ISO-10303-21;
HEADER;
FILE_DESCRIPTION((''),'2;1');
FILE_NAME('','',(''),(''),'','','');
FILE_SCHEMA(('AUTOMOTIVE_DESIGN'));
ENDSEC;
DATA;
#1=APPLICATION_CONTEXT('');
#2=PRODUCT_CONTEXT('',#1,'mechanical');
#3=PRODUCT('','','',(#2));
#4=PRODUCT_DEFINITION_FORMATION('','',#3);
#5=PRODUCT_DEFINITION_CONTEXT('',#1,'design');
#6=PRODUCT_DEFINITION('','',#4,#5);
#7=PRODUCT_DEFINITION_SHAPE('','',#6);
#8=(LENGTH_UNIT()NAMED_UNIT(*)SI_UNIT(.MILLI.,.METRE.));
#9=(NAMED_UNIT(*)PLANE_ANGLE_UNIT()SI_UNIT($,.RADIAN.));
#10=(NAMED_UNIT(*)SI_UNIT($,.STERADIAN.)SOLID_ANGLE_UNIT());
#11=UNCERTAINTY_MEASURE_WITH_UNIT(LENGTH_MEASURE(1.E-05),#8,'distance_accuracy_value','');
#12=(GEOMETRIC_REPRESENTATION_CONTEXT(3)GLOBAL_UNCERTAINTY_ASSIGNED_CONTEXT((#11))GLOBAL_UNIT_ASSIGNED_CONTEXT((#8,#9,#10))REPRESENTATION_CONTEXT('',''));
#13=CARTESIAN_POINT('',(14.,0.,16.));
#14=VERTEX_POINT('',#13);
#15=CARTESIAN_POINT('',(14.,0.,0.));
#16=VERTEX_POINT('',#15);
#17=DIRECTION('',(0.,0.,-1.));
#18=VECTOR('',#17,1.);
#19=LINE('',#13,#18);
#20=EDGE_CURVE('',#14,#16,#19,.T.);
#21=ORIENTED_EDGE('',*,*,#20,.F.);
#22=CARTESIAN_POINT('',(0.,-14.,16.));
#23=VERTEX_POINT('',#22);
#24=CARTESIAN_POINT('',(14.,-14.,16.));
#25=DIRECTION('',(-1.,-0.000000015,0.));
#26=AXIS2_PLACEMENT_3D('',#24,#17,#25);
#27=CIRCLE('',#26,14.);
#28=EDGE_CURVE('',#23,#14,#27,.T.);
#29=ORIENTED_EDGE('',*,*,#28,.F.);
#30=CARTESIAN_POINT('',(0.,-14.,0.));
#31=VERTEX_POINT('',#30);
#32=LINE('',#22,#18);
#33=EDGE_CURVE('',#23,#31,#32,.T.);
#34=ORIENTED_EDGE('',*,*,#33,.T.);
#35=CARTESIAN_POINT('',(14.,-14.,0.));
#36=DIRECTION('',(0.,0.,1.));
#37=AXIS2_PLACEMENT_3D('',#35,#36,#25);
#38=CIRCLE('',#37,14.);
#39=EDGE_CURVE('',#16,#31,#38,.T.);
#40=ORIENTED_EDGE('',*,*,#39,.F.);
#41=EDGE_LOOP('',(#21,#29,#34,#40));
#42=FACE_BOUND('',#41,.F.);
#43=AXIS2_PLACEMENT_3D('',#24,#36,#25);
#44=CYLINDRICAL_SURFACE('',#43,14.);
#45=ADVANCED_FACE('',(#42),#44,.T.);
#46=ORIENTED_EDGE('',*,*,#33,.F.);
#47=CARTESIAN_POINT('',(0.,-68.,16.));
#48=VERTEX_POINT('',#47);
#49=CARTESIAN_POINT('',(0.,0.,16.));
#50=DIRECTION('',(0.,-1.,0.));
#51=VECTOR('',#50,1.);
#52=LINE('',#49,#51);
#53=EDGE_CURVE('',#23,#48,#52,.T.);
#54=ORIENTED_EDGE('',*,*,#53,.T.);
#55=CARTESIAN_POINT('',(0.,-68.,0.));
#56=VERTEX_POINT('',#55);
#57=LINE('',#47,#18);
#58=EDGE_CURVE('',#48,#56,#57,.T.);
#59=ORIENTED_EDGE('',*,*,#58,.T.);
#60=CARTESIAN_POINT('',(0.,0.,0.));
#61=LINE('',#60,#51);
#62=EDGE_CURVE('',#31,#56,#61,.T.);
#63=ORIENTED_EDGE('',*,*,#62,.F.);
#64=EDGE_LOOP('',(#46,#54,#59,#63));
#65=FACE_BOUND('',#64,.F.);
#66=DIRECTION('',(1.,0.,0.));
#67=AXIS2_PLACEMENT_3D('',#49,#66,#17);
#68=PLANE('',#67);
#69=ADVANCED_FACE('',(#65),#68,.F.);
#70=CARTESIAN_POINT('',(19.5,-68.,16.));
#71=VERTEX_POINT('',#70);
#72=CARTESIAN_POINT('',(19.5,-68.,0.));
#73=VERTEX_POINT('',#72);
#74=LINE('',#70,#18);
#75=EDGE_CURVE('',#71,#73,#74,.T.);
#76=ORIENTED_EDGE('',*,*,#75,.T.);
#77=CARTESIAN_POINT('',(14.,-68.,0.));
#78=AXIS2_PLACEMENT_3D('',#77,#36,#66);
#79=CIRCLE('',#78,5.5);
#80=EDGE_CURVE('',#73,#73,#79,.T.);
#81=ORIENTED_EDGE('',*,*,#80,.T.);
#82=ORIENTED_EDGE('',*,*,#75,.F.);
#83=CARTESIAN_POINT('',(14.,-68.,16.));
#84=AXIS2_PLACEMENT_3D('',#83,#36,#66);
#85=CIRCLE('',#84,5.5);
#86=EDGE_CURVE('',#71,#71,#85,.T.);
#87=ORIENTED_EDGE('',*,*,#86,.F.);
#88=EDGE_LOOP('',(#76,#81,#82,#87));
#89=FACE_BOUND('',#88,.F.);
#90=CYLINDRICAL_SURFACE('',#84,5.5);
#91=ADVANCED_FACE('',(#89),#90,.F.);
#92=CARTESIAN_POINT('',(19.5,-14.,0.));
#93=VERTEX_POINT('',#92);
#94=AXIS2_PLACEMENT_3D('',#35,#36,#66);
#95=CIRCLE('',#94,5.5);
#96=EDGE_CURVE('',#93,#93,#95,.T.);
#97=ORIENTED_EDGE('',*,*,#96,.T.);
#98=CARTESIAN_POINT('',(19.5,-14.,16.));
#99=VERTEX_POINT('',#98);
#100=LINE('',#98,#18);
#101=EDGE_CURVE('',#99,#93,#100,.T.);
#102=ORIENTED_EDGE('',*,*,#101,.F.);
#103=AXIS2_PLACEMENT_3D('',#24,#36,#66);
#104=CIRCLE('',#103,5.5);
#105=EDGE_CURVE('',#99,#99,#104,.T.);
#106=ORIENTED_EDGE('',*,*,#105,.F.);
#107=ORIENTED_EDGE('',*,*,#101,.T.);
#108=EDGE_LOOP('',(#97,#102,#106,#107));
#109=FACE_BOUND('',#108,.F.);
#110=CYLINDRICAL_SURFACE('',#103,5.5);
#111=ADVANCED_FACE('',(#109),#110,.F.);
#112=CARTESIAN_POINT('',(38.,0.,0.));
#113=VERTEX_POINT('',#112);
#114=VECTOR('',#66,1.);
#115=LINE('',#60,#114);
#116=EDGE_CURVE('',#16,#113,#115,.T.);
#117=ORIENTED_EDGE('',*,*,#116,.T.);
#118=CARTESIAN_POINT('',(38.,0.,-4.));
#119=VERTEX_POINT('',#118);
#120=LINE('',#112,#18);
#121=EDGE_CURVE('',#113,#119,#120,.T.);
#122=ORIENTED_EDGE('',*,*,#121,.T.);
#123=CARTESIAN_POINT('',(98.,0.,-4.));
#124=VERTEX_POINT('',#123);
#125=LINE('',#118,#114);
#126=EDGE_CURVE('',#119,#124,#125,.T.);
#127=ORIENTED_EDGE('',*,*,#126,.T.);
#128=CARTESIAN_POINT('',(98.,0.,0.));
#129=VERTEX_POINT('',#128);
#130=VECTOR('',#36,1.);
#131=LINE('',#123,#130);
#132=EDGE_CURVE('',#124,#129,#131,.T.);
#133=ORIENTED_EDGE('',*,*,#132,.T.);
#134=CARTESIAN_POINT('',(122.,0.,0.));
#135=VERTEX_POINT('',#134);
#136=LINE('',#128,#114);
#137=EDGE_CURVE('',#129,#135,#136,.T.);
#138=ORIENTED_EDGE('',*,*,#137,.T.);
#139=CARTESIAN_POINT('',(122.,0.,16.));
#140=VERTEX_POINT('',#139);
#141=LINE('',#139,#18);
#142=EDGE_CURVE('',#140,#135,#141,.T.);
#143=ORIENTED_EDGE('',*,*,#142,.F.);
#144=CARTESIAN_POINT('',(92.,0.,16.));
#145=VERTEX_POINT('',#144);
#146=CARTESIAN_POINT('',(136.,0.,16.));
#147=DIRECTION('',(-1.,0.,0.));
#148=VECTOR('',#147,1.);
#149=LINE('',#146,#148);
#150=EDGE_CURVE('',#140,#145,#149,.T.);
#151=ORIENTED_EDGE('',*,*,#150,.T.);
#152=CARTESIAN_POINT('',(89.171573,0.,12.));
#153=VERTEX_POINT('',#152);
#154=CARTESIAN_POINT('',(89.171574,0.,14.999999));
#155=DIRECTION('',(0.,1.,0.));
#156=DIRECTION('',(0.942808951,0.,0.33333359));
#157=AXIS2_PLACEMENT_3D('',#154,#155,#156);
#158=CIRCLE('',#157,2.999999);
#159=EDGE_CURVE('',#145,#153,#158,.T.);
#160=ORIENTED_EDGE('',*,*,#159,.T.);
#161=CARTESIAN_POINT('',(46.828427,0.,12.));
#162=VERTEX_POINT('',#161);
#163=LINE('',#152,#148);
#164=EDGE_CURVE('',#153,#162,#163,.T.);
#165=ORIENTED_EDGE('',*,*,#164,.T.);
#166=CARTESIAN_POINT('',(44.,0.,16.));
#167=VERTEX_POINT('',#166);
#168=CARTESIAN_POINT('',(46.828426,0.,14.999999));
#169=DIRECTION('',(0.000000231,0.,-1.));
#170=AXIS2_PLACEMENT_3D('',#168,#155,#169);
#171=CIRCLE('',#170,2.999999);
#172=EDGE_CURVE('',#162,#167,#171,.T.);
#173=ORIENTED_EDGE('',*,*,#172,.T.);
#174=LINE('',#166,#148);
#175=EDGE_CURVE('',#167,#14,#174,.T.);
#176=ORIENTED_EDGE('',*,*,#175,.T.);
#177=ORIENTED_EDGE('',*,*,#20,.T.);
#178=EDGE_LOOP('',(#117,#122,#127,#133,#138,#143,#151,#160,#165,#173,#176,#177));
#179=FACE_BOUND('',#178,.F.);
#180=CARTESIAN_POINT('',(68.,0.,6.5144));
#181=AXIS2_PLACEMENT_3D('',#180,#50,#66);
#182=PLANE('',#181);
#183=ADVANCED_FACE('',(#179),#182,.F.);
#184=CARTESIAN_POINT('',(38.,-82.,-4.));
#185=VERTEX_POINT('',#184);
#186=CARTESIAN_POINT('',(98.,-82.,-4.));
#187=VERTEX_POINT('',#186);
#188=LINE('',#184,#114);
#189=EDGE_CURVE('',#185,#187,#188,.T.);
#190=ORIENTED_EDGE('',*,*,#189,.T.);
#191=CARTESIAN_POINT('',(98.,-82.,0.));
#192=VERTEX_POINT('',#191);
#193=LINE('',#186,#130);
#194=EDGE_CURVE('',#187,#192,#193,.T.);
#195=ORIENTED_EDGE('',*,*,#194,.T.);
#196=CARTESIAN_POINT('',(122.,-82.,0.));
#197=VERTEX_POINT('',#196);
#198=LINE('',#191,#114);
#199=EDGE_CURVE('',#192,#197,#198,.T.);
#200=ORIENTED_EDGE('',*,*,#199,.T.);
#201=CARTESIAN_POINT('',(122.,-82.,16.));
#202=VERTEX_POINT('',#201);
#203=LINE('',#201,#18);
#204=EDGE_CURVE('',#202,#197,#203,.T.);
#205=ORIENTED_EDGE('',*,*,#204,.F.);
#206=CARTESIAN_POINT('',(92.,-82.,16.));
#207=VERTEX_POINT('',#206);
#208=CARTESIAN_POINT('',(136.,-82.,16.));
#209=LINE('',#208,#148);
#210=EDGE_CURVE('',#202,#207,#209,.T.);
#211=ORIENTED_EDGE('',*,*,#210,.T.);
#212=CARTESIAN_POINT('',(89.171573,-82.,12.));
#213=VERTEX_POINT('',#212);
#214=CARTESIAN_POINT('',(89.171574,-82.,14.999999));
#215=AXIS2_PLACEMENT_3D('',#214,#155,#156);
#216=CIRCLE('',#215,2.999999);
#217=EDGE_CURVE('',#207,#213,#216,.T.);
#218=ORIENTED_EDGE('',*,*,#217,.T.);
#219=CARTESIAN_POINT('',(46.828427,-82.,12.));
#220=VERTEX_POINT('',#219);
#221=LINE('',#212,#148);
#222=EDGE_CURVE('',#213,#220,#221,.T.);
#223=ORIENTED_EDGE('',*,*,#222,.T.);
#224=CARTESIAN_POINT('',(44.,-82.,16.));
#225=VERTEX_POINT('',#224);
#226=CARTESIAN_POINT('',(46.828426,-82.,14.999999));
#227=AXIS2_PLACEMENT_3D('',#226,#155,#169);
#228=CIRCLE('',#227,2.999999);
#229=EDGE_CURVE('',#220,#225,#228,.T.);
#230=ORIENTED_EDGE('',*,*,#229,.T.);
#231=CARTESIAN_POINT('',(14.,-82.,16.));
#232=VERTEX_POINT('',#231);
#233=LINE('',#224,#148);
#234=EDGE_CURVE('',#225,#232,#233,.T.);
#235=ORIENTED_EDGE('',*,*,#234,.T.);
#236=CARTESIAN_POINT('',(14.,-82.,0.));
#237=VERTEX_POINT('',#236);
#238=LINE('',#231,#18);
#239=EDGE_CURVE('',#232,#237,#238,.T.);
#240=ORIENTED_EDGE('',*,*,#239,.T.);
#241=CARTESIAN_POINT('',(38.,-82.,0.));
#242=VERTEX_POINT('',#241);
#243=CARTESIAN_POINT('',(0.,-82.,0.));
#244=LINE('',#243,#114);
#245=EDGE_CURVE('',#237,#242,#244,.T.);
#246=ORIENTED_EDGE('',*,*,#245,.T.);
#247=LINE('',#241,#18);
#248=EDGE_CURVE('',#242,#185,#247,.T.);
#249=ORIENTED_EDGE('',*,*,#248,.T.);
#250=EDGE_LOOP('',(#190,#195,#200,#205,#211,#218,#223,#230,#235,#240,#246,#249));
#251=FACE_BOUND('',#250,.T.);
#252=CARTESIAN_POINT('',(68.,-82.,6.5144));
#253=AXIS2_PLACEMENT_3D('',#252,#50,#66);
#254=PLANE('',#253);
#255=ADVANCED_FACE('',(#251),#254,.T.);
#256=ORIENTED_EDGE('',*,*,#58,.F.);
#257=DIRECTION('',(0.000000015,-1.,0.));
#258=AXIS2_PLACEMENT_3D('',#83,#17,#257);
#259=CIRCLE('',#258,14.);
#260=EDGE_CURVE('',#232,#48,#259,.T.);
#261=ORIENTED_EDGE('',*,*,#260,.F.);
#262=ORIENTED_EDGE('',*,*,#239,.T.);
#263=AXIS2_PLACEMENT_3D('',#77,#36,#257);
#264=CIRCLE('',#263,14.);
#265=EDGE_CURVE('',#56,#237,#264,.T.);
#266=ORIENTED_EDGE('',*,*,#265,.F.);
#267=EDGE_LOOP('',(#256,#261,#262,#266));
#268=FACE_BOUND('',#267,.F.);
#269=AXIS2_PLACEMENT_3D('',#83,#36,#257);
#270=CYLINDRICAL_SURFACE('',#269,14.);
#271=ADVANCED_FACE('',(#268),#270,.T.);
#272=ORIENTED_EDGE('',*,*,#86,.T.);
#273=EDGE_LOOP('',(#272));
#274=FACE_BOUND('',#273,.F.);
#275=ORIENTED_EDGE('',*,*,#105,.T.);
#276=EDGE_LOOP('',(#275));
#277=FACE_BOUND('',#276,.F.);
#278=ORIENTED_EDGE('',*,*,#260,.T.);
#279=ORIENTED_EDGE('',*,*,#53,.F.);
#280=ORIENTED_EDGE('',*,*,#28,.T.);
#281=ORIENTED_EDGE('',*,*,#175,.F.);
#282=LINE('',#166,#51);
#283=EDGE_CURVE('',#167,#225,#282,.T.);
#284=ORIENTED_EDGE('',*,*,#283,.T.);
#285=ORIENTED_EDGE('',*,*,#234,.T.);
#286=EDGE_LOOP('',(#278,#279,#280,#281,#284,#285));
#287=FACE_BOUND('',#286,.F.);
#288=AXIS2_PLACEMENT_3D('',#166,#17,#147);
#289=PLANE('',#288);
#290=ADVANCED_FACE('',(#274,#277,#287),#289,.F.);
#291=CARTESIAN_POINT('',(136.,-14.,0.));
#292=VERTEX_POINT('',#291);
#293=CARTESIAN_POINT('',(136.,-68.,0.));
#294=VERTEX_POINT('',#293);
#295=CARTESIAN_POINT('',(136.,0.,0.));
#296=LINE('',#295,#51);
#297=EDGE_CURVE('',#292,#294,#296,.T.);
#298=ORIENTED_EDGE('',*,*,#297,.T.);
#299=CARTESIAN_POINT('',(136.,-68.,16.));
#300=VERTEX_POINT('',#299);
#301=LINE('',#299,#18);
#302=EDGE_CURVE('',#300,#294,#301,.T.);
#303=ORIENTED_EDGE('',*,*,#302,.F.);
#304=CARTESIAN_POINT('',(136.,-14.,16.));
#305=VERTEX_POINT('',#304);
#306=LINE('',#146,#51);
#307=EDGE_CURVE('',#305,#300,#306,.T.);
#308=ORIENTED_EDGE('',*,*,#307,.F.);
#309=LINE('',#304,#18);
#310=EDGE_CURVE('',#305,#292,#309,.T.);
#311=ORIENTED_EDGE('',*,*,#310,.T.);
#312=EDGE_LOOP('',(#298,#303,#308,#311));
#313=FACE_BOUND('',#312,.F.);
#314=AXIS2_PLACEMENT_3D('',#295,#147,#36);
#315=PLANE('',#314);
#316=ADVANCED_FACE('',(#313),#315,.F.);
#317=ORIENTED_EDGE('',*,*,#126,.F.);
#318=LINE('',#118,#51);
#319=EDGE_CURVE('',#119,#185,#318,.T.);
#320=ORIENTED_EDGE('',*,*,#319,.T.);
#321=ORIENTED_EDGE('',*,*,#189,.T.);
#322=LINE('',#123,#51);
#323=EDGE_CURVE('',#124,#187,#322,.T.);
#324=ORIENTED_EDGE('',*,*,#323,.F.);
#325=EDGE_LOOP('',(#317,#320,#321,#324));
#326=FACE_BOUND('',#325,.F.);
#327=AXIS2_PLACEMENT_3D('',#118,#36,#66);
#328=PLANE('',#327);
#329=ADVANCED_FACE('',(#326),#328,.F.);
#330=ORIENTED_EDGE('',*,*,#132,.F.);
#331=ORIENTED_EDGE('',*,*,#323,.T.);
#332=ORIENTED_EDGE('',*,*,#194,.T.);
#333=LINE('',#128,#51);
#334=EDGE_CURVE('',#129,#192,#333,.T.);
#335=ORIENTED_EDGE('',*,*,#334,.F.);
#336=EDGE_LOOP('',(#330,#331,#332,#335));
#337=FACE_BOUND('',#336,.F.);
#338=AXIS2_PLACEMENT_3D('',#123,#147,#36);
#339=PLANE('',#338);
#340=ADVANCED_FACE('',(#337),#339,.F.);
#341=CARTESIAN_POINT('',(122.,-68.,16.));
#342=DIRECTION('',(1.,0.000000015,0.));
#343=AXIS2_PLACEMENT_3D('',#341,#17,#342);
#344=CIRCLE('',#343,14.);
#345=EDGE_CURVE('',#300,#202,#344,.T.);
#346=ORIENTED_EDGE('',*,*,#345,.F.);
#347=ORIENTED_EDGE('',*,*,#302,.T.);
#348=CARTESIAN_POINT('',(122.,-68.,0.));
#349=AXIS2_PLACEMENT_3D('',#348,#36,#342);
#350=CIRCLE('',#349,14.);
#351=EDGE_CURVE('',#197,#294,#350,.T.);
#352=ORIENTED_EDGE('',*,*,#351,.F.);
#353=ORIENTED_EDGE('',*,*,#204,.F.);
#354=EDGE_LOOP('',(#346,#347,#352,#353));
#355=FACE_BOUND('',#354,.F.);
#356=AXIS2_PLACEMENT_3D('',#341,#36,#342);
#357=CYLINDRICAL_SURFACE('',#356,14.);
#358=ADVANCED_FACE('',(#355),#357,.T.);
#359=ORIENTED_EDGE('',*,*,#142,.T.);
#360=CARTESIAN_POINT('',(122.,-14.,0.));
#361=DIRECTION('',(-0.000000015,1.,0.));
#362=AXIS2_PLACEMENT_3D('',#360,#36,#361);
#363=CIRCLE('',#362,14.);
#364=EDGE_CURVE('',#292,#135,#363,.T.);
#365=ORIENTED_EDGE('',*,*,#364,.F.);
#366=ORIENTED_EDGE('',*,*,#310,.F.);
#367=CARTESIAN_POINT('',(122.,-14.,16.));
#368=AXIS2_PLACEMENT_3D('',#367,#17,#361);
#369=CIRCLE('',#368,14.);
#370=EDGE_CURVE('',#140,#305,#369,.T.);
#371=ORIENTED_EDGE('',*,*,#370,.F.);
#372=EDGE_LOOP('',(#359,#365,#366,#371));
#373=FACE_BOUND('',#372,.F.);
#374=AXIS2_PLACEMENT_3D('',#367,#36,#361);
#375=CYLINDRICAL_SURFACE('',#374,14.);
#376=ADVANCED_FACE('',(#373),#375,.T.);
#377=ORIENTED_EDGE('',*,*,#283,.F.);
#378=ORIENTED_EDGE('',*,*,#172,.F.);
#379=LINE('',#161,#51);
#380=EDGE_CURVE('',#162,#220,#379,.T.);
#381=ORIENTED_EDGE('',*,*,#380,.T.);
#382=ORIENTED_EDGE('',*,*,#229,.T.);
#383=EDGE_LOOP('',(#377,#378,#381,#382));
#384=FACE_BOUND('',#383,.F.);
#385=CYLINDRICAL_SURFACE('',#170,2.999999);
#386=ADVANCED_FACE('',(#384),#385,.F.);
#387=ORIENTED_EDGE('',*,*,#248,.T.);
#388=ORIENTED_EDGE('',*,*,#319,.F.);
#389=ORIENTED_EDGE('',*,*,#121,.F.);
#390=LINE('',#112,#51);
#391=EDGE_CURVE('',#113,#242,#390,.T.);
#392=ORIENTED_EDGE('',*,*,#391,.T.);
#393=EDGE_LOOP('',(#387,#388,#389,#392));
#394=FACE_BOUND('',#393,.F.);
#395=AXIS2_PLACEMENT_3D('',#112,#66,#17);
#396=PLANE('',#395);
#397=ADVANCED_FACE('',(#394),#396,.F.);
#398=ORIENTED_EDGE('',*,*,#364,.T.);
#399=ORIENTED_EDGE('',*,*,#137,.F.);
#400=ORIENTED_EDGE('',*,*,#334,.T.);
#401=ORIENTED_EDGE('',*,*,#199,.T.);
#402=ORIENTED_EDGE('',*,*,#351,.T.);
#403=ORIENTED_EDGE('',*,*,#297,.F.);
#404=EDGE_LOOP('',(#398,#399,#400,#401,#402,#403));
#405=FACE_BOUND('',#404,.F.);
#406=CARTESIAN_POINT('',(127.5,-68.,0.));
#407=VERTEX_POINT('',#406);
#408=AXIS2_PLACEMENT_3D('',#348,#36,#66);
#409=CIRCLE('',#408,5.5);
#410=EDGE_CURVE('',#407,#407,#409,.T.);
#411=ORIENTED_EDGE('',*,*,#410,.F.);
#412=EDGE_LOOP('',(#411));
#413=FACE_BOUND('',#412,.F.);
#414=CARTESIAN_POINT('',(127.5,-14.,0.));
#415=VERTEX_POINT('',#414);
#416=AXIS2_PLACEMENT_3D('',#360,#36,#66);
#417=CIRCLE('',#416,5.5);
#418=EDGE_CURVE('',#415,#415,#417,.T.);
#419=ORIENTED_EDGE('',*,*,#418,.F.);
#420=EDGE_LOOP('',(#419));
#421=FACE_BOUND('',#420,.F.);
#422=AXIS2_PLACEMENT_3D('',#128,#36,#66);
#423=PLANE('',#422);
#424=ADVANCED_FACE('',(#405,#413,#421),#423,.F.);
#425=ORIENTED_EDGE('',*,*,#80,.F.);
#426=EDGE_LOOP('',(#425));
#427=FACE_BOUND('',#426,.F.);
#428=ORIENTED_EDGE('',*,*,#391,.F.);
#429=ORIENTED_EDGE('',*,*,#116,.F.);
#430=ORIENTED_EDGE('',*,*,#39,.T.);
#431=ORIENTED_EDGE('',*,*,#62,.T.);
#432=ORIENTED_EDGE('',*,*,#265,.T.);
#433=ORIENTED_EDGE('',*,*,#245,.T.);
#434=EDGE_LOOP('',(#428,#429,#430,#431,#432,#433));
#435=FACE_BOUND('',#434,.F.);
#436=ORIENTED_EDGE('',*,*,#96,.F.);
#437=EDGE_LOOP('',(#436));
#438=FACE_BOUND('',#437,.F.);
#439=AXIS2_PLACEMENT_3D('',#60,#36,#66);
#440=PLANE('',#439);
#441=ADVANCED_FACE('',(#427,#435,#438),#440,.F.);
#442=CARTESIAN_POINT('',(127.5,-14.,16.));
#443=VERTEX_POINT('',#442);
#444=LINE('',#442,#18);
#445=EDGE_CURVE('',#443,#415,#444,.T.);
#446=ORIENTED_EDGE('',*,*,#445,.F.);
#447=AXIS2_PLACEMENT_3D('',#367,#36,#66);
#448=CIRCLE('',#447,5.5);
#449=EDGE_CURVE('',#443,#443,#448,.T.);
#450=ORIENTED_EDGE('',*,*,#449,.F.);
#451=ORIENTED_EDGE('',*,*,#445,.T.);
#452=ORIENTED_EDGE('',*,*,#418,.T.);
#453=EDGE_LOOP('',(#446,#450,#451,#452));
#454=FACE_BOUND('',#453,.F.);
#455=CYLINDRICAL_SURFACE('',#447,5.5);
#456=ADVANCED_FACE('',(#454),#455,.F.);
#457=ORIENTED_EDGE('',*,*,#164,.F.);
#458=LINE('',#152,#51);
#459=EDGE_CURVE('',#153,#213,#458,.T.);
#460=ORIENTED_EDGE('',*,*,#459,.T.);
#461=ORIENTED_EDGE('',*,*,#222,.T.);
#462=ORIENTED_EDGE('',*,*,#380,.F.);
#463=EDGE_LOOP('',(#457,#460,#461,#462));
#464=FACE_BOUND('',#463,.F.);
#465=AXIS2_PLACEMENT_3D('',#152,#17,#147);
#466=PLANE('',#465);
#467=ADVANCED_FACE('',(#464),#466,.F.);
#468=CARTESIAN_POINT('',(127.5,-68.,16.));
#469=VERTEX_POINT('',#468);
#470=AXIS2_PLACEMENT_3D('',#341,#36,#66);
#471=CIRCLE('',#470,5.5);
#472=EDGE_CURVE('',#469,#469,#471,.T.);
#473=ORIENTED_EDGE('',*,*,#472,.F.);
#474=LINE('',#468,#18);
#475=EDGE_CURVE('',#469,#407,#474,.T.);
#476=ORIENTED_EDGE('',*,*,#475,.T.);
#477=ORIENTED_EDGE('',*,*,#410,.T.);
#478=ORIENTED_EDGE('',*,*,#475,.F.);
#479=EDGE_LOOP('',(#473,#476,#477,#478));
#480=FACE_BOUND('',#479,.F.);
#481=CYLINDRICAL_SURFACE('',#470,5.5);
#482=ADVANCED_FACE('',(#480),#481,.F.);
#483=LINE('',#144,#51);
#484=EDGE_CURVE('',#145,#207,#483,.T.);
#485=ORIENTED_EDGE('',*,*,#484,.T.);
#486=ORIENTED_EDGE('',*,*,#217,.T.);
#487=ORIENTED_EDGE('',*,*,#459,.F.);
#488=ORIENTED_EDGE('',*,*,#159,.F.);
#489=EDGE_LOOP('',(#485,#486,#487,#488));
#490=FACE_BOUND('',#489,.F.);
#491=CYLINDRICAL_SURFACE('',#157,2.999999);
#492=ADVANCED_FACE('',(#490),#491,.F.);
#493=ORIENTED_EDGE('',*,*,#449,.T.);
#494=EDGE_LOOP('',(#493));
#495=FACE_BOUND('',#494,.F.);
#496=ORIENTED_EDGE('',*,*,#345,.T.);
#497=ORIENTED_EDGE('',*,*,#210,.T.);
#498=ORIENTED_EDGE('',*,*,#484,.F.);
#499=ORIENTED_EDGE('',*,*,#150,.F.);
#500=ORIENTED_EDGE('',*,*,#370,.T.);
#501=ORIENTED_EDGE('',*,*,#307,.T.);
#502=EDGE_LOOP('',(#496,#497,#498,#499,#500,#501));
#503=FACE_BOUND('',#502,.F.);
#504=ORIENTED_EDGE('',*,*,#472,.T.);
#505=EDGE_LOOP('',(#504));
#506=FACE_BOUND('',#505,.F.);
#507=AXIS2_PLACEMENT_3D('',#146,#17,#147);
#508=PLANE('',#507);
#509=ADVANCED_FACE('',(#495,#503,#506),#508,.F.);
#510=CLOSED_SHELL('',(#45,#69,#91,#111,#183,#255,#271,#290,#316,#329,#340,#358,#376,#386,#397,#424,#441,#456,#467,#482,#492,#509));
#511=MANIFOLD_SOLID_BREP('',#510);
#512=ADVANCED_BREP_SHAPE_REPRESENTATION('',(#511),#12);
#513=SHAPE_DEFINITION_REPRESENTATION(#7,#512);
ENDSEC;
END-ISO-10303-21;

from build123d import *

# Parameters (mm, degrees)
F1_DEPTH = 82
F2_R     = 5.5
F3_DEPTH = 20.001
F5_DEPTH = 20.001


with BuildPart() as f1:
    # F0 (on Front) → F1 (new body)
    with BuildSketch(Plane.XZ):
        with BuildLine():
            Line((0, 16), (0, 0))
            Line((0, 0), (38, 0))
            Line((38, 0), (38, -4))
            Line((38, -4), (98, -4))
            Line((98, -4), (98, 0))
            Line((98, 0), (136, 0))
            Line((136, 0), (136, 16))
            Line((136, 16), (92, 16))
            ThreePointArc((92, 16), (91.621063, 13.267949), (89.171573, 12))
            Line((89.171573, 12), (46.828427, 12))
            ThreePointArc((46.828427, 12), (44.378937, 13.267949), (44, 16))
            Line((44, 16), (0, 16))
        make_face()
    extrude(amount=F1_DEPTH)

    # F2 (on face) → F3 (cut, through all)
    with BuildSketch(Plane.XY.offset(16)):
        with Locations((14, -14)):
            Circle(F2_R)
        with Locations((14, -68)):
            Circle(F2_R)
        with Locations((122, -14)):
            Circle(F2_R)
        with Locations((122, -68)):
            Circle(F2_R)
    extrude(amount=-F3_DEPTH, mode=Mode.SUBTRACT)

    # F4 (on face) → F5 (cut, through all)
    with BuildSketch(Plane.XY.offset(16)):
        with BuildLine():
            Line((14, 0), (0, 0))
            Line((0, 0), (0, -14))
            ThreePointArc((0, -14), (4.100505, -4.100505), (14, 0))
        make_face()
        with BuildLine():
            Line((0, -68), (0, -82))
            Line((0, -82), (14, -82))
            ThreePointArc((14, -82), (4.100505, -77.899495), (0, -68))
        make_face()
        with BuildLine():
            Line((136, 0), (122, 0))
            ThreePointArc((122, 0), (131.899495, -4.100505), (136, -14))
            Line((136, -14), (136, 0))
        make_face()
        with BuildLine():
            Line((136, -82), (136, -68))
            ThreePointArc((136, -68), (131.899495, -77.899495), (122, -82))
            Line((122, -82), (136, -82))
        make_face()
    extrude(amount=-F5_DEPTH, mode=Mode.SUBTRACT)


solid = f1.part
